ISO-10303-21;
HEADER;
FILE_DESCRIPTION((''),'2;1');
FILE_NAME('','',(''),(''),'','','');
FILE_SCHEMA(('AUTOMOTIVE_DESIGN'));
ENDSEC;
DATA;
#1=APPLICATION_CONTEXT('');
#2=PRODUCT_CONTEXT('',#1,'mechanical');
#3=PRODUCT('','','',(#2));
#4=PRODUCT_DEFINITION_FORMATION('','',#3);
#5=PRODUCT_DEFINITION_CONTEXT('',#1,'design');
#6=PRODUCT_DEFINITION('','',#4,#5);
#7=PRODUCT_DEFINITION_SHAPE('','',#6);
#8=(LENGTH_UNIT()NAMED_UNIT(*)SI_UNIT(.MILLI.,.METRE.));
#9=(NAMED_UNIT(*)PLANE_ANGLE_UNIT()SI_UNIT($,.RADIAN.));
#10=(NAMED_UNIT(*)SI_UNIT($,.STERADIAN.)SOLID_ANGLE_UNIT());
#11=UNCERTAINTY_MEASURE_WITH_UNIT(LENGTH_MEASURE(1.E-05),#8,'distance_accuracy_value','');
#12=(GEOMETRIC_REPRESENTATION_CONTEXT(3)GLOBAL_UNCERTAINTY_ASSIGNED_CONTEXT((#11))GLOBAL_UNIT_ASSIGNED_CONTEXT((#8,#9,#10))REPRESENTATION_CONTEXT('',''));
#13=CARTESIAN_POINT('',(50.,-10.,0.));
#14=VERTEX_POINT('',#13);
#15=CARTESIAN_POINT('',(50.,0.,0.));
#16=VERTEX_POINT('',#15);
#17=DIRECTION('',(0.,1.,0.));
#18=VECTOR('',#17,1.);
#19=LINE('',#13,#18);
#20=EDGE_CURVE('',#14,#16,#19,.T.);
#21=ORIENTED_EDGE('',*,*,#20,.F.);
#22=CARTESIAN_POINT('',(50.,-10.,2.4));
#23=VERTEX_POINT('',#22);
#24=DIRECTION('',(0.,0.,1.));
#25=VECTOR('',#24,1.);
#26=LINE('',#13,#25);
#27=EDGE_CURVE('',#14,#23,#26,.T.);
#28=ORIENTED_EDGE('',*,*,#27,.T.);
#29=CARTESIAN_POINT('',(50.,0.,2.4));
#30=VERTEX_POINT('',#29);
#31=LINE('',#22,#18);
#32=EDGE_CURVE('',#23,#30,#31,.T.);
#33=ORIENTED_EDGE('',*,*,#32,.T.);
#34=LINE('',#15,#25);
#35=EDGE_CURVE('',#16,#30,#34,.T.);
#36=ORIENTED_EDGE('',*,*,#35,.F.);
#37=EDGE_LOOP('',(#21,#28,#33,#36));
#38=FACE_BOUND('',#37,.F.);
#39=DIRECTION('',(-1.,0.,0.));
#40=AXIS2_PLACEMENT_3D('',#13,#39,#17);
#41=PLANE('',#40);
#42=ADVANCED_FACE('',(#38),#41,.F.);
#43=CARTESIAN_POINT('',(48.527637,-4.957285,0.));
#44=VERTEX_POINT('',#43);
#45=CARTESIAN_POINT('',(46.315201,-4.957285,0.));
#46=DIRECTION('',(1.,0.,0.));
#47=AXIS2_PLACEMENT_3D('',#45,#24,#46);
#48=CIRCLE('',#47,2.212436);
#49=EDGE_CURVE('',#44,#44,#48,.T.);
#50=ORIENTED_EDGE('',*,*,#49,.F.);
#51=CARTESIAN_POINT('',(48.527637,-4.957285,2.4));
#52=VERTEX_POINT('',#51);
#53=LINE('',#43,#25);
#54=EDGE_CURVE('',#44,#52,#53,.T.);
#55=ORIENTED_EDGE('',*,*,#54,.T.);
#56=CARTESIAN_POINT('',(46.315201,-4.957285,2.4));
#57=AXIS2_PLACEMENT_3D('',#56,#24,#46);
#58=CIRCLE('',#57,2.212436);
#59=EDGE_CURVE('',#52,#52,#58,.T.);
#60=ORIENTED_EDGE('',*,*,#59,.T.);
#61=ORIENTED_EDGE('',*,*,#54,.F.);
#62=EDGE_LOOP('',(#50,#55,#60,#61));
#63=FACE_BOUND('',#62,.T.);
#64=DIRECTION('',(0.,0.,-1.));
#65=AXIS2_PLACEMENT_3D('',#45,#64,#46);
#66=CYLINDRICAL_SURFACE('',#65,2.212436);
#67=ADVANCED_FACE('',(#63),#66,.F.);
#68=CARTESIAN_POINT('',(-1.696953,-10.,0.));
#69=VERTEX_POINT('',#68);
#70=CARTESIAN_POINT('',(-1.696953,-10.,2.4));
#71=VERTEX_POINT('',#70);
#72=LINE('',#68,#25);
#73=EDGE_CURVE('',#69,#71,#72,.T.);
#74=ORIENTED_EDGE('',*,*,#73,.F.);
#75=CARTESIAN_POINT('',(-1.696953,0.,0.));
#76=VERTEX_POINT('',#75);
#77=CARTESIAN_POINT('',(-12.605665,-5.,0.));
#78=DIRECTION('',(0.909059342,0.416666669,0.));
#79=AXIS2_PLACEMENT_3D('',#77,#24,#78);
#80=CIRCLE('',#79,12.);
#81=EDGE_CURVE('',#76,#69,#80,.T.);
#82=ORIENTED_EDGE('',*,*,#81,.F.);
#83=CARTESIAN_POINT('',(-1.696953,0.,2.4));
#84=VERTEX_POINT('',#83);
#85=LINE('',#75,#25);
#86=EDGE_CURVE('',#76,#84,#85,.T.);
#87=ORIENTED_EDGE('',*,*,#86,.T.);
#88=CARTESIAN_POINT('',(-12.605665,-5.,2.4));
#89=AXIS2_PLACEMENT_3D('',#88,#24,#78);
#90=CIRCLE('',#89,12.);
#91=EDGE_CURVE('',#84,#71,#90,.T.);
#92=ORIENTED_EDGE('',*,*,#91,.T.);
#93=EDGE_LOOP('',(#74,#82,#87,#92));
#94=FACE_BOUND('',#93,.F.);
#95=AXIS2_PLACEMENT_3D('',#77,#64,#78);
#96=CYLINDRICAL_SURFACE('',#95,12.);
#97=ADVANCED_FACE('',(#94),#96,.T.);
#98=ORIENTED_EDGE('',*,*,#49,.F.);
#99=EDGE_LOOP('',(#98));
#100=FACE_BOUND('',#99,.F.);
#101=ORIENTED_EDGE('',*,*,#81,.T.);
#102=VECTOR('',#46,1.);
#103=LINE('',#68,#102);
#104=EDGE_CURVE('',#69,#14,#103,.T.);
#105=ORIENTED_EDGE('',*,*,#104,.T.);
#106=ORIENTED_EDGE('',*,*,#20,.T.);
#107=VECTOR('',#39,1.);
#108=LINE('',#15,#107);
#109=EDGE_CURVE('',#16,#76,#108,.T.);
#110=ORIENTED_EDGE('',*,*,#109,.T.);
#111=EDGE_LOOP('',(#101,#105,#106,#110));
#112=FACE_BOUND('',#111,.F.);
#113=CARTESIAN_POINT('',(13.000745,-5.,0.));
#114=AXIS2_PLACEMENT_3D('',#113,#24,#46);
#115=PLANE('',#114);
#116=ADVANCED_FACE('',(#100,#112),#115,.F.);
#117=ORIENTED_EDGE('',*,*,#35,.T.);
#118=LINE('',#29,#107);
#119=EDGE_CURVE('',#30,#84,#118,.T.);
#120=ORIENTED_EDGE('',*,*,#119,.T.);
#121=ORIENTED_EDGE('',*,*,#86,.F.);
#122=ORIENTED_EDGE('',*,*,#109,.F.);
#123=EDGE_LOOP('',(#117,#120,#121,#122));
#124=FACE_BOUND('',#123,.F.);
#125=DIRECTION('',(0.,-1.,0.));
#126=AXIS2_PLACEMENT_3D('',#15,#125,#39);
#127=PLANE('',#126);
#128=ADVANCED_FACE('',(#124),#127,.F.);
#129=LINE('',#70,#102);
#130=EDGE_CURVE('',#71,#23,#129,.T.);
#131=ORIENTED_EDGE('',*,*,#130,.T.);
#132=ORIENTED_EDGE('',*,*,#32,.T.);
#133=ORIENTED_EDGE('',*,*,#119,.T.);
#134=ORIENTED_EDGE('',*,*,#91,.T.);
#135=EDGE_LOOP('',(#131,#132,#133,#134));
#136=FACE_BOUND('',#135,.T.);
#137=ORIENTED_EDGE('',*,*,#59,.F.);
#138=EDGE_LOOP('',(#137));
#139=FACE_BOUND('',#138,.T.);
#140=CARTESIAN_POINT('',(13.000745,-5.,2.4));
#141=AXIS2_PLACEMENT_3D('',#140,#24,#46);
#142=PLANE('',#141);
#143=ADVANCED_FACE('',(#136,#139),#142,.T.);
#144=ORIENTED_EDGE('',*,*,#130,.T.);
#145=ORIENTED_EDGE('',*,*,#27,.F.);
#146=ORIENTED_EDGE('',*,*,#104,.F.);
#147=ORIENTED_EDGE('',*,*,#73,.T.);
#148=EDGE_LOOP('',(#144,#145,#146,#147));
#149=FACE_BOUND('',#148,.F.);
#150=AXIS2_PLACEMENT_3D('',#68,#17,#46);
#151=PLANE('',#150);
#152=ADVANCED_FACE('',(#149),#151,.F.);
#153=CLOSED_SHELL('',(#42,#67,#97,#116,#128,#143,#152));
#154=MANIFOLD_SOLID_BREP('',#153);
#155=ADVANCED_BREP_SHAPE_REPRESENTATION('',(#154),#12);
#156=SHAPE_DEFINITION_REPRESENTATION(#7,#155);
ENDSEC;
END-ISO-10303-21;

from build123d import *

# Parameters (mm, degrees)
F1_R     = 2.212436
F2_DEPTH = 2.4


with BuildPart() as f2:
    # F1 (on face) → F2 (new body)
    with BuildSketch(Plane.XY):
        with BuildLine():
            Line((50, -10), (50, 0))
            Line((50, 0), (-1.696953, 0))
            ThreePointArc((-1.696953, 0), (-24.605665, -5), (-1.696953, -10))
            Line((-1.696953, -10), (50, -10))
        make_face()
        with Locations((46.315201, -4.957285)):
            Circle(F1_R, mode=Mode.SUBTRACT)
    extrude(amount=F2_DEPTH)


solid = f2.part
